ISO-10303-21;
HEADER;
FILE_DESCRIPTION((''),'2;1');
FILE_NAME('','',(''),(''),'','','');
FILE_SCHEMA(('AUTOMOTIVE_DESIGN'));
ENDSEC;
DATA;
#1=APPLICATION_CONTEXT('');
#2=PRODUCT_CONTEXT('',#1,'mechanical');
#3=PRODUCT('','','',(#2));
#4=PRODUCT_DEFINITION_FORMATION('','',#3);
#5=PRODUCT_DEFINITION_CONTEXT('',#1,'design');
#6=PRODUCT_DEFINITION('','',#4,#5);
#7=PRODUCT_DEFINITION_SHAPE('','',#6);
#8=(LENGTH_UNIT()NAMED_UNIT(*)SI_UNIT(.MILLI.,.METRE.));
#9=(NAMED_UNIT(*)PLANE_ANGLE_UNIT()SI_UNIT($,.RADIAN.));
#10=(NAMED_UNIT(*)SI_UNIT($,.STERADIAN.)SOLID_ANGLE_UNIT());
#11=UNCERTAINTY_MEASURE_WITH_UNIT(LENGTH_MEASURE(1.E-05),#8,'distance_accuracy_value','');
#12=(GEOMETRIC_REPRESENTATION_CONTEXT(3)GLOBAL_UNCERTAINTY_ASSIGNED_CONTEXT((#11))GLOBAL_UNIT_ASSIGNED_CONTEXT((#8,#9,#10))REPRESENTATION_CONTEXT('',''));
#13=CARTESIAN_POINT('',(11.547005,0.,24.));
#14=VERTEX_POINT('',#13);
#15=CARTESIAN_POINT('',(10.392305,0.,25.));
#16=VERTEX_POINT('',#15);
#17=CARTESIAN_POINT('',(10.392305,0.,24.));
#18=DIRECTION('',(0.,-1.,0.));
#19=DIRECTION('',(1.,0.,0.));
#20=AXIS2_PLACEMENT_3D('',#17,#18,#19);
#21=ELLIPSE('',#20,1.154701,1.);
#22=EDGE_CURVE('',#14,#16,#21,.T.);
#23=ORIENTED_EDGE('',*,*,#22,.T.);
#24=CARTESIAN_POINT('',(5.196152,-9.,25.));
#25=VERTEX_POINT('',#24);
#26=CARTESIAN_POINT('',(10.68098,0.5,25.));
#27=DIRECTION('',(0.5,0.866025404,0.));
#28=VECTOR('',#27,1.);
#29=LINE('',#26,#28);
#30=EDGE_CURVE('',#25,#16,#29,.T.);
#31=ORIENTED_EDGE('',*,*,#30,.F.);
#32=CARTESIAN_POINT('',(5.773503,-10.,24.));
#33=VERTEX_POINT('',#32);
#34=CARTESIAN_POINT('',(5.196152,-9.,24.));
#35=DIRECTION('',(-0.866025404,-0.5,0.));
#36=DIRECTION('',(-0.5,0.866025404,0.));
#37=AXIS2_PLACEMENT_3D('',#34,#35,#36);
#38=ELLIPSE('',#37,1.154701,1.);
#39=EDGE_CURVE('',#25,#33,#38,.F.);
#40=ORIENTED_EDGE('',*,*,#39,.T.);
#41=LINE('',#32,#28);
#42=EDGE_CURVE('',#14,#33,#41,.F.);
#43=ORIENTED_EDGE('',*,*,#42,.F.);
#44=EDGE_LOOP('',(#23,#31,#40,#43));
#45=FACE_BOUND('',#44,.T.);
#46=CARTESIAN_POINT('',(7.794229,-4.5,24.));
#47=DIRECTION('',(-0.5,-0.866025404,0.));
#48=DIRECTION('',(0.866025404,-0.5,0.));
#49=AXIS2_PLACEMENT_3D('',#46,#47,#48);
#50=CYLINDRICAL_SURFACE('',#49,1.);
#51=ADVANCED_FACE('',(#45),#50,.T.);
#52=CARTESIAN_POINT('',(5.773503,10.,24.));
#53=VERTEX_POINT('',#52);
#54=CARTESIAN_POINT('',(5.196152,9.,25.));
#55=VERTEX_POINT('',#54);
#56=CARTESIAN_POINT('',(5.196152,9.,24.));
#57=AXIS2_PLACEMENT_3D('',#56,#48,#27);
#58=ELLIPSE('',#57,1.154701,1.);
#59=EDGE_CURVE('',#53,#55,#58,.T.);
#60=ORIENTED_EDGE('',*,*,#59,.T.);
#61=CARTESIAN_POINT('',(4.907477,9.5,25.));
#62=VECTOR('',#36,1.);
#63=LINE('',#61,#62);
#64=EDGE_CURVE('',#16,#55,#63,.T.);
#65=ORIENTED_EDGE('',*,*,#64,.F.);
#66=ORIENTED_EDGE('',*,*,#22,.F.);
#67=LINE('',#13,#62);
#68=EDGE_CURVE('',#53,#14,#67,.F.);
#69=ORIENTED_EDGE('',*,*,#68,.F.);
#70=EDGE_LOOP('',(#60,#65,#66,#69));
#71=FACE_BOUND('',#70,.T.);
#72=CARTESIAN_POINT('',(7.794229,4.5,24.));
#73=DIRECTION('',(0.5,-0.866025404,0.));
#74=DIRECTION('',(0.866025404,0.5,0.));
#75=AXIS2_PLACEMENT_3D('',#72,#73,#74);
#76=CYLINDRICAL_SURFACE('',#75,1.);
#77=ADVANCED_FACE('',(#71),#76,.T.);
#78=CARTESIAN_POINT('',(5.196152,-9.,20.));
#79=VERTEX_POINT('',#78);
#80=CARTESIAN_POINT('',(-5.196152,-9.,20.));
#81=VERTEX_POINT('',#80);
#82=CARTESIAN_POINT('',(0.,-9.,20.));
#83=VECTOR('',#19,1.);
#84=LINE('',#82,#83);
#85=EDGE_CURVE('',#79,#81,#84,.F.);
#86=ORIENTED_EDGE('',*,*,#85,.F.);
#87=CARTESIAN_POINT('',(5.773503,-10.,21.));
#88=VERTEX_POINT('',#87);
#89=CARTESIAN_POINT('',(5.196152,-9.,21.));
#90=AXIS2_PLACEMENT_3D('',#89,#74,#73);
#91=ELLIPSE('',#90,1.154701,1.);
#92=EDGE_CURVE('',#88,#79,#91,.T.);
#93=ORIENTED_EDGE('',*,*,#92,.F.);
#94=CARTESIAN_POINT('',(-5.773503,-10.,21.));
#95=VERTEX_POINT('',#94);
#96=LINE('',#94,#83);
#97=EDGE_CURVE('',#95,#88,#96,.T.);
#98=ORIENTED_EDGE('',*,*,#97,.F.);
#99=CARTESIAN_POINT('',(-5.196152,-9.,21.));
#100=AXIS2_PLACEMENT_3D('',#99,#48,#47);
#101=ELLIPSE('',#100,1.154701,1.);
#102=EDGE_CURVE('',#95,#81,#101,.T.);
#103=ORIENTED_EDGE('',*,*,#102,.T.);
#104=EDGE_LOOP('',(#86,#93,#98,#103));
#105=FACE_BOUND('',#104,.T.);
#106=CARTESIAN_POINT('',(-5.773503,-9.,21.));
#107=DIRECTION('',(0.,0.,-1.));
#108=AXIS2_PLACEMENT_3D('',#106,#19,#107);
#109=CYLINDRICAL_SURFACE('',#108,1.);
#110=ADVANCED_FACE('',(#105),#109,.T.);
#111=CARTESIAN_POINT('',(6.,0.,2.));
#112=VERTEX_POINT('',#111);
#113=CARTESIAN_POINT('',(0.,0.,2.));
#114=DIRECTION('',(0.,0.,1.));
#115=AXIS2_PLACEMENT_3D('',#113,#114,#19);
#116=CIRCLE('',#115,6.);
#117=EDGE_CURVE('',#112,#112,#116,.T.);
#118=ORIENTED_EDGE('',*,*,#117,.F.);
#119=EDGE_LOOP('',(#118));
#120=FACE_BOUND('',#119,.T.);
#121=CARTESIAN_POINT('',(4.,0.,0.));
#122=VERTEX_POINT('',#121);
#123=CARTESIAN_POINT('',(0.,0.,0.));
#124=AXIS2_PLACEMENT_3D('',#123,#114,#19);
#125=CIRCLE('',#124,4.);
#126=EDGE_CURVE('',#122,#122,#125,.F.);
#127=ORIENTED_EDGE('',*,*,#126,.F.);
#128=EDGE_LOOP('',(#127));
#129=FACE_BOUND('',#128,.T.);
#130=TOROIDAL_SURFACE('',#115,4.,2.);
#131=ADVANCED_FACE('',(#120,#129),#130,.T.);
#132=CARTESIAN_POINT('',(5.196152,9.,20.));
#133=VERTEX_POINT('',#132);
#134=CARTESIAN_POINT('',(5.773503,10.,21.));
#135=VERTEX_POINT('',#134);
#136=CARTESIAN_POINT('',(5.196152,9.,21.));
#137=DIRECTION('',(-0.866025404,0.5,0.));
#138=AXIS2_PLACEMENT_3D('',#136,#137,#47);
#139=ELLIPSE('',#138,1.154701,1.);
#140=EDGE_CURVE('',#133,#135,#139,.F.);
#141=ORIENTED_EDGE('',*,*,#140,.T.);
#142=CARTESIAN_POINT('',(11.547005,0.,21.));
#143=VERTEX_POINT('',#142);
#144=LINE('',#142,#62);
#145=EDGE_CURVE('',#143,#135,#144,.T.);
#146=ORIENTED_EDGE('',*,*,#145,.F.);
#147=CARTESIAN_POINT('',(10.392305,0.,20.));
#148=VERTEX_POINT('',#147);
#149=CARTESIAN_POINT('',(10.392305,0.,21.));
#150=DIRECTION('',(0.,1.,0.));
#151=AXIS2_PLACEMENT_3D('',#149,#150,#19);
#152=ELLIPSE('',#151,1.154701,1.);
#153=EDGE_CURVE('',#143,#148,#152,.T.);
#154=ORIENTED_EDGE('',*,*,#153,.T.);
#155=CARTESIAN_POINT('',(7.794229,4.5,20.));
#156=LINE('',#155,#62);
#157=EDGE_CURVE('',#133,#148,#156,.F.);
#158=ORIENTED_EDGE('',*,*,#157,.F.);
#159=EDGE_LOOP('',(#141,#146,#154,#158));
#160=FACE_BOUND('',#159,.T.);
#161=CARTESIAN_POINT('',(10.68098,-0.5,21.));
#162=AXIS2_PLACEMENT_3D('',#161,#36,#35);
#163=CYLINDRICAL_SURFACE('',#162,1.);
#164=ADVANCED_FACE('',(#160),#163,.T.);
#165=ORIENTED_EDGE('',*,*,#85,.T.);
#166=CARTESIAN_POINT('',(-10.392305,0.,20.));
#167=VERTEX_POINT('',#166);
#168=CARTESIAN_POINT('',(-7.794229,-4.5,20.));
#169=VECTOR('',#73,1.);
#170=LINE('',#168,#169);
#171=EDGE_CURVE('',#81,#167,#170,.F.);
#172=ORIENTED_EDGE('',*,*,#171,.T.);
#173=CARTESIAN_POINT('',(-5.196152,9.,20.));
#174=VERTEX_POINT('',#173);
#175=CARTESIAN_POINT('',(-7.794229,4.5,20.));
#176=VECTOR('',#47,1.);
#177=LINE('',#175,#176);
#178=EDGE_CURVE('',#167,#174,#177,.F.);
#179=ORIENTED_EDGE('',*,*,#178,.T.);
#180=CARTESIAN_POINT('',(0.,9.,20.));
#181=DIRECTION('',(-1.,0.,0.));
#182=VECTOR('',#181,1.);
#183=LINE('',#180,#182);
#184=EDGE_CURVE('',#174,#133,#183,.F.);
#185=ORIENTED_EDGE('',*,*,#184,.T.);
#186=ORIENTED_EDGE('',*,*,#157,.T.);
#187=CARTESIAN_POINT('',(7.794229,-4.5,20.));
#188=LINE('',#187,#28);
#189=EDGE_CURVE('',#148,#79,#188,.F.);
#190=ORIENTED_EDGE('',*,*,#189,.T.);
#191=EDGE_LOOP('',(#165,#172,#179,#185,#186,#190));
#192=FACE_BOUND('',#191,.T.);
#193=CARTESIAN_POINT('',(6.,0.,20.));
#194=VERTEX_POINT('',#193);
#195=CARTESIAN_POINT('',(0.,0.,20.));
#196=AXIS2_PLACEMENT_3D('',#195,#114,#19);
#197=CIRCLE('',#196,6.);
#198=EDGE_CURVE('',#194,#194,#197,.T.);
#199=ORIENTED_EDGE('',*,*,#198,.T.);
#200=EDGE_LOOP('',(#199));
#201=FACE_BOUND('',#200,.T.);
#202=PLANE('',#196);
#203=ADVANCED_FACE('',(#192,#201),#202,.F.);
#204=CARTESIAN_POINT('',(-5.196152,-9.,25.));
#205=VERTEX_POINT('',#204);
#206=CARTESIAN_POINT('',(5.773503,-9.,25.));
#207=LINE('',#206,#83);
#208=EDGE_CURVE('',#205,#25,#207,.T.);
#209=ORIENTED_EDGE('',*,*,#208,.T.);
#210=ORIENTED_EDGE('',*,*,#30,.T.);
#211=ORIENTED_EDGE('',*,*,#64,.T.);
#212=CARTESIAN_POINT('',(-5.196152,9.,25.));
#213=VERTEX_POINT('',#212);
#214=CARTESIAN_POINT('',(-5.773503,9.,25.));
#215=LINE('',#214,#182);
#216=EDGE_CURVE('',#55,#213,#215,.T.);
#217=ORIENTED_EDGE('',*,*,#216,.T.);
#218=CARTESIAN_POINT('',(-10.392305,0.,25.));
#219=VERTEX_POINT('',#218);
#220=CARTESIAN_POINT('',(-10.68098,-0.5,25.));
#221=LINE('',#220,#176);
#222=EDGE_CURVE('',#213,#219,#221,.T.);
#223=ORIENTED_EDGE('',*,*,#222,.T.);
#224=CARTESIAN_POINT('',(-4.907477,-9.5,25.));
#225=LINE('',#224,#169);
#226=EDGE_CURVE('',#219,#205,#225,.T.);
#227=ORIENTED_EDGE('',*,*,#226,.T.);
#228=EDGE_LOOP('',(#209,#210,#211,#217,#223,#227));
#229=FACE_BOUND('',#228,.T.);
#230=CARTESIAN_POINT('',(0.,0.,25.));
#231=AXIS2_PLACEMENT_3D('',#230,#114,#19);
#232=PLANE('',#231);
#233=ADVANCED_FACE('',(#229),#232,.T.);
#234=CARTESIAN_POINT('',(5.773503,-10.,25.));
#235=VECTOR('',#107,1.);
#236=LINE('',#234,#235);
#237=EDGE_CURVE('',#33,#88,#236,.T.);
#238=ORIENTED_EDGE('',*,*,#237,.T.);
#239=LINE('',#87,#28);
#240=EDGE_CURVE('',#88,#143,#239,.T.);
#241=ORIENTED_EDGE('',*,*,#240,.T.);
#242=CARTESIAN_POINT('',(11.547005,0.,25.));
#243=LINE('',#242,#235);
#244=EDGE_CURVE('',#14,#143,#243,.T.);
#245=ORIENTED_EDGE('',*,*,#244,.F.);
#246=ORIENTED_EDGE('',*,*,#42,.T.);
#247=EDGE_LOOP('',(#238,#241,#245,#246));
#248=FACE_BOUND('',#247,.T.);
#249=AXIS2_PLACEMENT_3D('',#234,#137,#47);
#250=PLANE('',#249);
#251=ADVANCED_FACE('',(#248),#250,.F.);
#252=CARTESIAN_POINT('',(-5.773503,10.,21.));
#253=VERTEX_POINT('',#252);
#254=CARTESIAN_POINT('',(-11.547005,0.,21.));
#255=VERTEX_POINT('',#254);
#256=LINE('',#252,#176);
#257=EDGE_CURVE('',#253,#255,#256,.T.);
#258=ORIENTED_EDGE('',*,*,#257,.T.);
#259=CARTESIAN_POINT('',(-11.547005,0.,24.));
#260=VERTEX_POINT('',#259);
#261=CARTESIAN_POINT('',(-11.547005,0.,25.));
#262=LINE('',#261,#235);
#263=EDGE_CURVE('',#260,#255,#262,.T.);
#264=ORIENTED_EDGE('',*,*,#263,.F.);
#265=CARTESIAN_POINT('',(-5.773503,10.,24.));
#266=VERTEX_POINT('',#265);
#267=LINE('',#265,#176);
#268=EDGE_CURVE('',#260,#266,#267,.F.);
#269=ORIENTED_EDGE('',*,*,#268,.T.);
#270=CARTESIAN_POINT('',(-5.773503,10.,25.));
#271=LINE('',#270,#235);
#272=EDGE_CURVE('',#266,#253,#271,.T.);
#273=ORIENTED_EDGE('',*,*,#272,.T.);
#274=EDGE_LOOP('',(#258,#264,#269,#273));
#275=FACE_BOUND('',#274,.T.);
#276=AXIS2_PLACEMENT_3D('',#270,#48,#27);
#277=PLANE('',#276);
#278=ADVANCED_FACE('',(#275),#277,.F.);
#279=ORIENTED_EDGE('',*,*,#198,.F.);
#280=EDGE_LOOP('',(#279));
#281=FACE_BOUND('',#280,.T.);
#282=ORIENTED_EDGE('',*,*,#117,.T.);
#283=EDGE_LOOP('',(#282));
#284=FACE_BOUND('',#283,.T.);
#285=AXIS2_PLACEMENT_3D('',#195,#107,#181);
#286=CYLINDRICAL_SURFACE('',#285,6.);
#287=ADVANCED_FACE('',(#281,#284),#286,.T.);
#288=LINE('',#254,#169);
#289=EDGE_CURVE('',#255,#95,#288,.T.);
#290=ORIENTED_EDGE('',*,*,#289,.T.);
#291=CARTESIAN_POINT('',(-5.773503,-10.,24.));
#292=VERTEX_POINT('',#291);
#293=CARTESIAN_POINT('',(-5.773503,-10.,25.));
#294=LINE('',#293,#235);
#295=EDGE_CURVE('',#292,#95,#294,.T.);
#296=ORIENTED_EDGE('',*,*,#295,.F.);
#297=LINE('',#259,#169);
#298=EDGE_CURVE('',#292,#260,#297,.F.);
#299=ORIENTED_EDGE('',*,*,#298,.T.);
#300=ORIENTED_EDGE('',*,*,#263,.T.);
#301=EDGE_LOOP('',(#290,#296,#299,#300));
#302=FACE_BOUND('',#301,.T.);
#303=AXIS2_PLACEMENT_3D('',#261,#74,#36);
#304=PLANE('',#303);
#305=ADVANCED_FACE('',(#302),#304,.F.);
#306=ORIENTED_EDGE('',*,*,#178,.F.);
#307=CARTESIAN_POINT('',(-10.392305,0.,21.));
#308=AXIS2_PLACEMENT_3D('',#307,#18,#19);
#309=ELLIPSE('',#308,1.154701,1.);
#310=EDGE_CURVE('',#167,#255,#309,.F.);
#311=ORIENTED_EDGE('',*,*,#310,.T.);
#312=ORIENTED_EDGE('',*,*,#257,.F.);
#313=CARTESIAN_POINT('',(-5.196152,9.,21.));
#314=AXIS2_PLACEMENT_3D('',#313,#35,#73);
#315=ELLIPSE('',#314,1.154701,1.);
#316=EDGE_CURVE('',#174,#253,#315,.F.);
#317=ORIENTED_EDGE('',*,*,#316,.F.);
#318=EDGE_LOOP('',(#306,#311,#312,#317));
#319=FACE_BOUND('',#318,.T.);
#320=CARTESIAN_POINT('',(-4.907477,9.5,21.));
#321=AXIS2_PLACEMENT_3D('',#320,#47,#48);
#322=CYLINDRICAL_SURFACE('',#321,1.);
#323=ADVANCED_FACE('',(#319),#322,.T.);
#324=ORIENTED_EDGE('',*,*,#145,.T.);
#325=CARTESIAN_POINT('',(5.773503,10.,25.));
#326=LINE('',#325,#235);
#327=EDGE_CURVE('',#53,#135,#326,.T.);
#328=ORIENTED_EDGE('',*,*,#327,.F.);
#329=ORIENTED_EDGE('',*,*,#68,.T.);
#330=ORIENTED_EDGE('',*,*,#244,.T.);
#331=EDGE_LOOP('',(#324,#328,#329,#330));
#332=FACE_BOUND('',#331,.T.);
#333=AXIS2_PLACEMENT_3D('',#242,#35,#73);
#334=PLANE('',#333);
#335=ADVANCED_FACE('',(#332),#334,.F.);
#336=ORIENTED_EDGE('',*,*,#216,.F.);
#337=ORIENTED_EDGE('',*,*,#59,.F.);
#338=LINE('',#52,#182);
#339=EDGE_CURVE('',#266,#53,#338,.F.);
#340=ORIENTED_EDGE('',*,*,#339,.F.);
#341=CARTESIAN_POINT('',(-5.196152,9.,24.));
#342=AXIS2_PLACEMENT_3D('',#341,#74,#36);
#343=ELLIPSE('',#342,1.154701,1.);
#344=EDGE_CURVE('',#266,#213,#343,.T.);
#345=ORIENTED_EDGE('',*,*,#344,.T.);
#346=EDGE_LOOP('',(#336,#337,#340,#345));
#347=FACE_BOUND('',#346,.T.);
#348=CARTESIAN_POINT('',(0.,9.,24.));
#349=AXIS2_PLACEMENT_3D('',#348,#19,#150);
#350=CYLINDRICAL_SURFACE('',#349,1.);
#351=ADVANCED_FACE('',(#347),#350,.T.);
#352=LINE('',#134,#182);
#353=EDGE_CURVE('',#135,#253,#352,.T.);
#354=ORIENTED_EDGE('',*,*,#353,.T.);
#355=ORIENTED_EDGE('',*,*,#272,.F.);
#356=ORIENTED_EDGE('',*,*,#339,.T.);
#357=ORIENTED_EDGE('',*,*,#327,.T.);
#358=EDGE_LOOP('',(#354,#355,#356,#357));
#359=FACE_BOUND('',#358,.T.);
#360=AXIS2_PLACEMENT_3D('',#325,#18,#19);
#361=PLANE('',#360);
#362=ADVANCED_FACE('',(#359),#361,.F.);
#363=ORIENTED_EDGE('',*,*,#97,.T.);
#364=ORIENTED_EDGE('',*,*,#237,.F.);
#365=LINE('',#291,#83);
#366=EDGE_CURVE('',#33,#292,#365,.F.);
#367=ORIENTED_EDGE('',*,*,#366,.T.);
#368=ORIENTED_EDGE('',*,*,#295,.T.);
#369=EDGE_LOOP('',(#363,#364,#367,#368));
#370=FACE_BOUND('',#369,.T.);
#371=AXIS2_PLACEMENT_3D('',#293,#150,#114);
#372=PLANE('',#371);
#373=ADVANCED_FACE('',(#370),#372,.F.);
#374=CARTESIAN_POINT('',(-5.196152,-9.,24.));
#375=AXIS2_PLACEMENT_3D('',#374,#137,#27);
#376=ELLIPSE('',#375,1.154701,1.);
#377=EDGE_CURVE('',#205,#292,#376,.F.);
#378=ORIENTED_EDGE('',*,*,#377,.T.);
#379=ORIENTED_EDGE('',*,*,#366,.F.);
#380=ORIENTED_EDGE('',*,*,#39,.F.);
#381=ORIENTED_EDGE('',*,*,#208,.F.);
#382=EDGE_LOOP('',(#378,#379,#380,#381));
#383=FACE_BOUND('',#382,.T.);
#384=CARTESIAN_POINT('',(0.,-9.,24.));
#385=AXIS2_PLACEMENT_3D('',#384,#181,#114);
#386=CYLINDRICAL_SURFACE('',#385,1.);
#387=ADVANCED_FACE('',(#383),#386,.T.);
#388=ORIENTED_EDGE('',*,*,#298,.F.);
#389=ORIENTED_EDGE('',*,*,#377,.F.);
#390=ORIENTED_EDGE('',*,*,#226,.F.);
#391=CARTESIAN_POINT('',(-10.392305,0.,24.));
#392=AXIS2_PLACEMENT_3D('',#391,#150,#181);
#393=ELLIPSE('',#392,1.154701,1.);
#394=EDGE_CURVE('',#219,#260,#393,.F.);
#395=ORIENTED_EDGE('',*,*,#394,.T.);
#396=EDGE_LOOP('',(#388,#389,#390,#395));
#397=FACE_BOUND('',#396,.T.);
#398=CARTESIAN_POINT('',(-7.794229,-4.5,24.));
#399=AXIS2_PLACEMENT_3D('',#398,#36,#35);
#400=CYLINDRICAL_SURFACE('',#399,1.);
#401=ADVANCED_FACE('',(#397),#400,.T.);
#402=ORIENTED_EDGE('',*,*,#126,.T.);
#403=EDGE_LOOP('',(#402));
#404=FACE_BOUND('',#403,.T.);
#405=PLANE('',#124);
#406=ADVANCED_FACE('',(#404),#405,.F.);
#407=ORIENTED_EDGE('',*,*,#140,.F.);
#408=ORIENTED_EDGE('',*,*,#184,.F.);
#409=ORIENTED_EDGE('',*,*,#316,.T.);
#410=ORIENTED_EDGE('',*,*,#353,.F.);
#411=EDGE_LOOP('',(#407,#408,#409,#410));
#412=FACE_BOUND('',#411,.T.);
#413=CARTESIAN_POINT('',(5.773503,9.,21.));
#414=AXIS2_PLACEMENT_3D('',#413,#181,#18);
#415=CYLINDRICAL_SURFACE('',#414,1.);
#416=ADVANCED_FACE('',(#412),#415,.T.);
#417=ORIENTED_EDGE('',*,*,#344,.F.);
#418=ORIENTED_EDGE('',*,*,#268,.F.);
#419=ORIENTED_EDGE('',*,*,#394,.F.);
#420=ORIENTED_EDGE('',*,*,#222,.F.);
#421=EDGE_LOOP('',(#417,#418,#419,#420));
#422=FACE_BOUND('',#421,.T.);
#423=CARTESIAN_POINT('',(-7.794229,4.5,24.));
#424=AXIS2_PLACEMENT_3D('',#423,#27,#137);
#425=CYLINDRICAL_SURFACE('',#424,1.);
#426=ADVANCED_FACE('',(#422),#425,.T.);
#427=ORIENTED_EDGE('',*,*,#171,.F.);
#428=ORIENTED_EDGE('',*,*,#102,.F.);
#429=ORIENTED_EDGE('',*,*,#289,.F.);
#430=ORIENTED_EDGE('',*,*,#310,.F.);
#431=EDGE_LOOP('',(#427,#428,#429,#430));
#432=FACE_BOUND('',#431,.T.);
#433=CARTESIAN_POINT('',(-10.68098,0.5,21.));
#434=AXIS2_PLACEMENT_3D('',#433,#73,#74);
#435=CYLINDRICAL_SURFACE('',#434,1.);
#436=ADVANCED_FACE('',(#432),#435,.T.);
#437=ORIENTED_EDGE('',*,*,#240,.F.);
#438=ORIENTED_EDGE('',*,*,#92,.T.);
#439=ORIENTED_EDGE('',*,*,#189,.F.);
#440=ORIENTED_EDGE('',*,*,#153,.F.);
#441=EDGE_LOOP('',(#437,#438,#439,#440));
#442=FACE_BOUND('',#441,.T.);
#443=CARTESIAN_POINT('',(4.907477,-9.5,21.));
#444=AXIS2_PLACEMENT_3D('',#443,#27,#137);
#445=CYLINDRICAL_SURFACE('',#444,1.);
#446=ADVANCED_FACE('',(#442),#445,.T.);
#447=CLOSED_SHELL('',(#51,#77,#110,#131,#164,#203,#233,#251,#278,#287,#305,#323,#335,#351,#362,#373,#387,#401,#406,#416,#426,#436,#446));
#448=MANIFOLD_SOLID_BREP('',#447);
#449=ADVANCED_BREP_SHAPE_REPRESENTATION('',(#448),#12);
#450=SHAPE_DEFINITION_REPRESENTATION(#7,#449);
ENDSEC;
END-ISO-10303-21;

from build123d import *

# Parameters (mm, degrees)
SKETCH_1_R      = 6
EXTRUDE_1_DEPTH = 20
EXTRUDE_2_DEPTH = 5
FILLET_1_R      = 2
FILLET_2_R      = 1


with BuildPart() as part:
    # 草图1 → 凸台-拉伸1 (new body)
    with BuildSketch(Plane.XY):
        Circle(SKETCH_1_R)
    extrude(amount=EXTRUDE_1_DEPTH)

    # 草图2 → 凸台-拉伸2 (add)
    with BuildSketch(Plane.XY.offset(20)):
        Polygon((5.773502692, -10), (11.547005384, 0), (5.773502692, 10), (-5.773502692, 10), (-11.547005384, 0), (-5.773502692, -10), align=None)
    extrude(amount=EXTRUDE_2_DEPTH)

    # 圆角1
    fillet_1_edges = [part.edges().sort_by_distance(p)[0] for p in [
        (-6, 0, 0),
    ]]
    fillet(fillet_1_edges, radius=FILLET_1_R)

    # 圆角2
    fillet_2_edges = [part.edges().sort_by_distance(p)[0] for p in [
        (0, -10, 20),
        (8.660254038, -5, 20),
        (8.660254038, 5, 20),
        (0, 10, 20),
        (-8.660254038, 5, 20),
        (-8.660254038, -5, 20),
        (0, -10, 25),
        (8.660254038, -5, 25),
        (8.660254038, 5, 25),
        (0, 10, 25),
        (-8.660254038, 5, 25),
        (-8.660254038, -5, 25),
    ]]
    fillet(fillet_2_edges, radius=FILLET_2_R)


solid = part.part
